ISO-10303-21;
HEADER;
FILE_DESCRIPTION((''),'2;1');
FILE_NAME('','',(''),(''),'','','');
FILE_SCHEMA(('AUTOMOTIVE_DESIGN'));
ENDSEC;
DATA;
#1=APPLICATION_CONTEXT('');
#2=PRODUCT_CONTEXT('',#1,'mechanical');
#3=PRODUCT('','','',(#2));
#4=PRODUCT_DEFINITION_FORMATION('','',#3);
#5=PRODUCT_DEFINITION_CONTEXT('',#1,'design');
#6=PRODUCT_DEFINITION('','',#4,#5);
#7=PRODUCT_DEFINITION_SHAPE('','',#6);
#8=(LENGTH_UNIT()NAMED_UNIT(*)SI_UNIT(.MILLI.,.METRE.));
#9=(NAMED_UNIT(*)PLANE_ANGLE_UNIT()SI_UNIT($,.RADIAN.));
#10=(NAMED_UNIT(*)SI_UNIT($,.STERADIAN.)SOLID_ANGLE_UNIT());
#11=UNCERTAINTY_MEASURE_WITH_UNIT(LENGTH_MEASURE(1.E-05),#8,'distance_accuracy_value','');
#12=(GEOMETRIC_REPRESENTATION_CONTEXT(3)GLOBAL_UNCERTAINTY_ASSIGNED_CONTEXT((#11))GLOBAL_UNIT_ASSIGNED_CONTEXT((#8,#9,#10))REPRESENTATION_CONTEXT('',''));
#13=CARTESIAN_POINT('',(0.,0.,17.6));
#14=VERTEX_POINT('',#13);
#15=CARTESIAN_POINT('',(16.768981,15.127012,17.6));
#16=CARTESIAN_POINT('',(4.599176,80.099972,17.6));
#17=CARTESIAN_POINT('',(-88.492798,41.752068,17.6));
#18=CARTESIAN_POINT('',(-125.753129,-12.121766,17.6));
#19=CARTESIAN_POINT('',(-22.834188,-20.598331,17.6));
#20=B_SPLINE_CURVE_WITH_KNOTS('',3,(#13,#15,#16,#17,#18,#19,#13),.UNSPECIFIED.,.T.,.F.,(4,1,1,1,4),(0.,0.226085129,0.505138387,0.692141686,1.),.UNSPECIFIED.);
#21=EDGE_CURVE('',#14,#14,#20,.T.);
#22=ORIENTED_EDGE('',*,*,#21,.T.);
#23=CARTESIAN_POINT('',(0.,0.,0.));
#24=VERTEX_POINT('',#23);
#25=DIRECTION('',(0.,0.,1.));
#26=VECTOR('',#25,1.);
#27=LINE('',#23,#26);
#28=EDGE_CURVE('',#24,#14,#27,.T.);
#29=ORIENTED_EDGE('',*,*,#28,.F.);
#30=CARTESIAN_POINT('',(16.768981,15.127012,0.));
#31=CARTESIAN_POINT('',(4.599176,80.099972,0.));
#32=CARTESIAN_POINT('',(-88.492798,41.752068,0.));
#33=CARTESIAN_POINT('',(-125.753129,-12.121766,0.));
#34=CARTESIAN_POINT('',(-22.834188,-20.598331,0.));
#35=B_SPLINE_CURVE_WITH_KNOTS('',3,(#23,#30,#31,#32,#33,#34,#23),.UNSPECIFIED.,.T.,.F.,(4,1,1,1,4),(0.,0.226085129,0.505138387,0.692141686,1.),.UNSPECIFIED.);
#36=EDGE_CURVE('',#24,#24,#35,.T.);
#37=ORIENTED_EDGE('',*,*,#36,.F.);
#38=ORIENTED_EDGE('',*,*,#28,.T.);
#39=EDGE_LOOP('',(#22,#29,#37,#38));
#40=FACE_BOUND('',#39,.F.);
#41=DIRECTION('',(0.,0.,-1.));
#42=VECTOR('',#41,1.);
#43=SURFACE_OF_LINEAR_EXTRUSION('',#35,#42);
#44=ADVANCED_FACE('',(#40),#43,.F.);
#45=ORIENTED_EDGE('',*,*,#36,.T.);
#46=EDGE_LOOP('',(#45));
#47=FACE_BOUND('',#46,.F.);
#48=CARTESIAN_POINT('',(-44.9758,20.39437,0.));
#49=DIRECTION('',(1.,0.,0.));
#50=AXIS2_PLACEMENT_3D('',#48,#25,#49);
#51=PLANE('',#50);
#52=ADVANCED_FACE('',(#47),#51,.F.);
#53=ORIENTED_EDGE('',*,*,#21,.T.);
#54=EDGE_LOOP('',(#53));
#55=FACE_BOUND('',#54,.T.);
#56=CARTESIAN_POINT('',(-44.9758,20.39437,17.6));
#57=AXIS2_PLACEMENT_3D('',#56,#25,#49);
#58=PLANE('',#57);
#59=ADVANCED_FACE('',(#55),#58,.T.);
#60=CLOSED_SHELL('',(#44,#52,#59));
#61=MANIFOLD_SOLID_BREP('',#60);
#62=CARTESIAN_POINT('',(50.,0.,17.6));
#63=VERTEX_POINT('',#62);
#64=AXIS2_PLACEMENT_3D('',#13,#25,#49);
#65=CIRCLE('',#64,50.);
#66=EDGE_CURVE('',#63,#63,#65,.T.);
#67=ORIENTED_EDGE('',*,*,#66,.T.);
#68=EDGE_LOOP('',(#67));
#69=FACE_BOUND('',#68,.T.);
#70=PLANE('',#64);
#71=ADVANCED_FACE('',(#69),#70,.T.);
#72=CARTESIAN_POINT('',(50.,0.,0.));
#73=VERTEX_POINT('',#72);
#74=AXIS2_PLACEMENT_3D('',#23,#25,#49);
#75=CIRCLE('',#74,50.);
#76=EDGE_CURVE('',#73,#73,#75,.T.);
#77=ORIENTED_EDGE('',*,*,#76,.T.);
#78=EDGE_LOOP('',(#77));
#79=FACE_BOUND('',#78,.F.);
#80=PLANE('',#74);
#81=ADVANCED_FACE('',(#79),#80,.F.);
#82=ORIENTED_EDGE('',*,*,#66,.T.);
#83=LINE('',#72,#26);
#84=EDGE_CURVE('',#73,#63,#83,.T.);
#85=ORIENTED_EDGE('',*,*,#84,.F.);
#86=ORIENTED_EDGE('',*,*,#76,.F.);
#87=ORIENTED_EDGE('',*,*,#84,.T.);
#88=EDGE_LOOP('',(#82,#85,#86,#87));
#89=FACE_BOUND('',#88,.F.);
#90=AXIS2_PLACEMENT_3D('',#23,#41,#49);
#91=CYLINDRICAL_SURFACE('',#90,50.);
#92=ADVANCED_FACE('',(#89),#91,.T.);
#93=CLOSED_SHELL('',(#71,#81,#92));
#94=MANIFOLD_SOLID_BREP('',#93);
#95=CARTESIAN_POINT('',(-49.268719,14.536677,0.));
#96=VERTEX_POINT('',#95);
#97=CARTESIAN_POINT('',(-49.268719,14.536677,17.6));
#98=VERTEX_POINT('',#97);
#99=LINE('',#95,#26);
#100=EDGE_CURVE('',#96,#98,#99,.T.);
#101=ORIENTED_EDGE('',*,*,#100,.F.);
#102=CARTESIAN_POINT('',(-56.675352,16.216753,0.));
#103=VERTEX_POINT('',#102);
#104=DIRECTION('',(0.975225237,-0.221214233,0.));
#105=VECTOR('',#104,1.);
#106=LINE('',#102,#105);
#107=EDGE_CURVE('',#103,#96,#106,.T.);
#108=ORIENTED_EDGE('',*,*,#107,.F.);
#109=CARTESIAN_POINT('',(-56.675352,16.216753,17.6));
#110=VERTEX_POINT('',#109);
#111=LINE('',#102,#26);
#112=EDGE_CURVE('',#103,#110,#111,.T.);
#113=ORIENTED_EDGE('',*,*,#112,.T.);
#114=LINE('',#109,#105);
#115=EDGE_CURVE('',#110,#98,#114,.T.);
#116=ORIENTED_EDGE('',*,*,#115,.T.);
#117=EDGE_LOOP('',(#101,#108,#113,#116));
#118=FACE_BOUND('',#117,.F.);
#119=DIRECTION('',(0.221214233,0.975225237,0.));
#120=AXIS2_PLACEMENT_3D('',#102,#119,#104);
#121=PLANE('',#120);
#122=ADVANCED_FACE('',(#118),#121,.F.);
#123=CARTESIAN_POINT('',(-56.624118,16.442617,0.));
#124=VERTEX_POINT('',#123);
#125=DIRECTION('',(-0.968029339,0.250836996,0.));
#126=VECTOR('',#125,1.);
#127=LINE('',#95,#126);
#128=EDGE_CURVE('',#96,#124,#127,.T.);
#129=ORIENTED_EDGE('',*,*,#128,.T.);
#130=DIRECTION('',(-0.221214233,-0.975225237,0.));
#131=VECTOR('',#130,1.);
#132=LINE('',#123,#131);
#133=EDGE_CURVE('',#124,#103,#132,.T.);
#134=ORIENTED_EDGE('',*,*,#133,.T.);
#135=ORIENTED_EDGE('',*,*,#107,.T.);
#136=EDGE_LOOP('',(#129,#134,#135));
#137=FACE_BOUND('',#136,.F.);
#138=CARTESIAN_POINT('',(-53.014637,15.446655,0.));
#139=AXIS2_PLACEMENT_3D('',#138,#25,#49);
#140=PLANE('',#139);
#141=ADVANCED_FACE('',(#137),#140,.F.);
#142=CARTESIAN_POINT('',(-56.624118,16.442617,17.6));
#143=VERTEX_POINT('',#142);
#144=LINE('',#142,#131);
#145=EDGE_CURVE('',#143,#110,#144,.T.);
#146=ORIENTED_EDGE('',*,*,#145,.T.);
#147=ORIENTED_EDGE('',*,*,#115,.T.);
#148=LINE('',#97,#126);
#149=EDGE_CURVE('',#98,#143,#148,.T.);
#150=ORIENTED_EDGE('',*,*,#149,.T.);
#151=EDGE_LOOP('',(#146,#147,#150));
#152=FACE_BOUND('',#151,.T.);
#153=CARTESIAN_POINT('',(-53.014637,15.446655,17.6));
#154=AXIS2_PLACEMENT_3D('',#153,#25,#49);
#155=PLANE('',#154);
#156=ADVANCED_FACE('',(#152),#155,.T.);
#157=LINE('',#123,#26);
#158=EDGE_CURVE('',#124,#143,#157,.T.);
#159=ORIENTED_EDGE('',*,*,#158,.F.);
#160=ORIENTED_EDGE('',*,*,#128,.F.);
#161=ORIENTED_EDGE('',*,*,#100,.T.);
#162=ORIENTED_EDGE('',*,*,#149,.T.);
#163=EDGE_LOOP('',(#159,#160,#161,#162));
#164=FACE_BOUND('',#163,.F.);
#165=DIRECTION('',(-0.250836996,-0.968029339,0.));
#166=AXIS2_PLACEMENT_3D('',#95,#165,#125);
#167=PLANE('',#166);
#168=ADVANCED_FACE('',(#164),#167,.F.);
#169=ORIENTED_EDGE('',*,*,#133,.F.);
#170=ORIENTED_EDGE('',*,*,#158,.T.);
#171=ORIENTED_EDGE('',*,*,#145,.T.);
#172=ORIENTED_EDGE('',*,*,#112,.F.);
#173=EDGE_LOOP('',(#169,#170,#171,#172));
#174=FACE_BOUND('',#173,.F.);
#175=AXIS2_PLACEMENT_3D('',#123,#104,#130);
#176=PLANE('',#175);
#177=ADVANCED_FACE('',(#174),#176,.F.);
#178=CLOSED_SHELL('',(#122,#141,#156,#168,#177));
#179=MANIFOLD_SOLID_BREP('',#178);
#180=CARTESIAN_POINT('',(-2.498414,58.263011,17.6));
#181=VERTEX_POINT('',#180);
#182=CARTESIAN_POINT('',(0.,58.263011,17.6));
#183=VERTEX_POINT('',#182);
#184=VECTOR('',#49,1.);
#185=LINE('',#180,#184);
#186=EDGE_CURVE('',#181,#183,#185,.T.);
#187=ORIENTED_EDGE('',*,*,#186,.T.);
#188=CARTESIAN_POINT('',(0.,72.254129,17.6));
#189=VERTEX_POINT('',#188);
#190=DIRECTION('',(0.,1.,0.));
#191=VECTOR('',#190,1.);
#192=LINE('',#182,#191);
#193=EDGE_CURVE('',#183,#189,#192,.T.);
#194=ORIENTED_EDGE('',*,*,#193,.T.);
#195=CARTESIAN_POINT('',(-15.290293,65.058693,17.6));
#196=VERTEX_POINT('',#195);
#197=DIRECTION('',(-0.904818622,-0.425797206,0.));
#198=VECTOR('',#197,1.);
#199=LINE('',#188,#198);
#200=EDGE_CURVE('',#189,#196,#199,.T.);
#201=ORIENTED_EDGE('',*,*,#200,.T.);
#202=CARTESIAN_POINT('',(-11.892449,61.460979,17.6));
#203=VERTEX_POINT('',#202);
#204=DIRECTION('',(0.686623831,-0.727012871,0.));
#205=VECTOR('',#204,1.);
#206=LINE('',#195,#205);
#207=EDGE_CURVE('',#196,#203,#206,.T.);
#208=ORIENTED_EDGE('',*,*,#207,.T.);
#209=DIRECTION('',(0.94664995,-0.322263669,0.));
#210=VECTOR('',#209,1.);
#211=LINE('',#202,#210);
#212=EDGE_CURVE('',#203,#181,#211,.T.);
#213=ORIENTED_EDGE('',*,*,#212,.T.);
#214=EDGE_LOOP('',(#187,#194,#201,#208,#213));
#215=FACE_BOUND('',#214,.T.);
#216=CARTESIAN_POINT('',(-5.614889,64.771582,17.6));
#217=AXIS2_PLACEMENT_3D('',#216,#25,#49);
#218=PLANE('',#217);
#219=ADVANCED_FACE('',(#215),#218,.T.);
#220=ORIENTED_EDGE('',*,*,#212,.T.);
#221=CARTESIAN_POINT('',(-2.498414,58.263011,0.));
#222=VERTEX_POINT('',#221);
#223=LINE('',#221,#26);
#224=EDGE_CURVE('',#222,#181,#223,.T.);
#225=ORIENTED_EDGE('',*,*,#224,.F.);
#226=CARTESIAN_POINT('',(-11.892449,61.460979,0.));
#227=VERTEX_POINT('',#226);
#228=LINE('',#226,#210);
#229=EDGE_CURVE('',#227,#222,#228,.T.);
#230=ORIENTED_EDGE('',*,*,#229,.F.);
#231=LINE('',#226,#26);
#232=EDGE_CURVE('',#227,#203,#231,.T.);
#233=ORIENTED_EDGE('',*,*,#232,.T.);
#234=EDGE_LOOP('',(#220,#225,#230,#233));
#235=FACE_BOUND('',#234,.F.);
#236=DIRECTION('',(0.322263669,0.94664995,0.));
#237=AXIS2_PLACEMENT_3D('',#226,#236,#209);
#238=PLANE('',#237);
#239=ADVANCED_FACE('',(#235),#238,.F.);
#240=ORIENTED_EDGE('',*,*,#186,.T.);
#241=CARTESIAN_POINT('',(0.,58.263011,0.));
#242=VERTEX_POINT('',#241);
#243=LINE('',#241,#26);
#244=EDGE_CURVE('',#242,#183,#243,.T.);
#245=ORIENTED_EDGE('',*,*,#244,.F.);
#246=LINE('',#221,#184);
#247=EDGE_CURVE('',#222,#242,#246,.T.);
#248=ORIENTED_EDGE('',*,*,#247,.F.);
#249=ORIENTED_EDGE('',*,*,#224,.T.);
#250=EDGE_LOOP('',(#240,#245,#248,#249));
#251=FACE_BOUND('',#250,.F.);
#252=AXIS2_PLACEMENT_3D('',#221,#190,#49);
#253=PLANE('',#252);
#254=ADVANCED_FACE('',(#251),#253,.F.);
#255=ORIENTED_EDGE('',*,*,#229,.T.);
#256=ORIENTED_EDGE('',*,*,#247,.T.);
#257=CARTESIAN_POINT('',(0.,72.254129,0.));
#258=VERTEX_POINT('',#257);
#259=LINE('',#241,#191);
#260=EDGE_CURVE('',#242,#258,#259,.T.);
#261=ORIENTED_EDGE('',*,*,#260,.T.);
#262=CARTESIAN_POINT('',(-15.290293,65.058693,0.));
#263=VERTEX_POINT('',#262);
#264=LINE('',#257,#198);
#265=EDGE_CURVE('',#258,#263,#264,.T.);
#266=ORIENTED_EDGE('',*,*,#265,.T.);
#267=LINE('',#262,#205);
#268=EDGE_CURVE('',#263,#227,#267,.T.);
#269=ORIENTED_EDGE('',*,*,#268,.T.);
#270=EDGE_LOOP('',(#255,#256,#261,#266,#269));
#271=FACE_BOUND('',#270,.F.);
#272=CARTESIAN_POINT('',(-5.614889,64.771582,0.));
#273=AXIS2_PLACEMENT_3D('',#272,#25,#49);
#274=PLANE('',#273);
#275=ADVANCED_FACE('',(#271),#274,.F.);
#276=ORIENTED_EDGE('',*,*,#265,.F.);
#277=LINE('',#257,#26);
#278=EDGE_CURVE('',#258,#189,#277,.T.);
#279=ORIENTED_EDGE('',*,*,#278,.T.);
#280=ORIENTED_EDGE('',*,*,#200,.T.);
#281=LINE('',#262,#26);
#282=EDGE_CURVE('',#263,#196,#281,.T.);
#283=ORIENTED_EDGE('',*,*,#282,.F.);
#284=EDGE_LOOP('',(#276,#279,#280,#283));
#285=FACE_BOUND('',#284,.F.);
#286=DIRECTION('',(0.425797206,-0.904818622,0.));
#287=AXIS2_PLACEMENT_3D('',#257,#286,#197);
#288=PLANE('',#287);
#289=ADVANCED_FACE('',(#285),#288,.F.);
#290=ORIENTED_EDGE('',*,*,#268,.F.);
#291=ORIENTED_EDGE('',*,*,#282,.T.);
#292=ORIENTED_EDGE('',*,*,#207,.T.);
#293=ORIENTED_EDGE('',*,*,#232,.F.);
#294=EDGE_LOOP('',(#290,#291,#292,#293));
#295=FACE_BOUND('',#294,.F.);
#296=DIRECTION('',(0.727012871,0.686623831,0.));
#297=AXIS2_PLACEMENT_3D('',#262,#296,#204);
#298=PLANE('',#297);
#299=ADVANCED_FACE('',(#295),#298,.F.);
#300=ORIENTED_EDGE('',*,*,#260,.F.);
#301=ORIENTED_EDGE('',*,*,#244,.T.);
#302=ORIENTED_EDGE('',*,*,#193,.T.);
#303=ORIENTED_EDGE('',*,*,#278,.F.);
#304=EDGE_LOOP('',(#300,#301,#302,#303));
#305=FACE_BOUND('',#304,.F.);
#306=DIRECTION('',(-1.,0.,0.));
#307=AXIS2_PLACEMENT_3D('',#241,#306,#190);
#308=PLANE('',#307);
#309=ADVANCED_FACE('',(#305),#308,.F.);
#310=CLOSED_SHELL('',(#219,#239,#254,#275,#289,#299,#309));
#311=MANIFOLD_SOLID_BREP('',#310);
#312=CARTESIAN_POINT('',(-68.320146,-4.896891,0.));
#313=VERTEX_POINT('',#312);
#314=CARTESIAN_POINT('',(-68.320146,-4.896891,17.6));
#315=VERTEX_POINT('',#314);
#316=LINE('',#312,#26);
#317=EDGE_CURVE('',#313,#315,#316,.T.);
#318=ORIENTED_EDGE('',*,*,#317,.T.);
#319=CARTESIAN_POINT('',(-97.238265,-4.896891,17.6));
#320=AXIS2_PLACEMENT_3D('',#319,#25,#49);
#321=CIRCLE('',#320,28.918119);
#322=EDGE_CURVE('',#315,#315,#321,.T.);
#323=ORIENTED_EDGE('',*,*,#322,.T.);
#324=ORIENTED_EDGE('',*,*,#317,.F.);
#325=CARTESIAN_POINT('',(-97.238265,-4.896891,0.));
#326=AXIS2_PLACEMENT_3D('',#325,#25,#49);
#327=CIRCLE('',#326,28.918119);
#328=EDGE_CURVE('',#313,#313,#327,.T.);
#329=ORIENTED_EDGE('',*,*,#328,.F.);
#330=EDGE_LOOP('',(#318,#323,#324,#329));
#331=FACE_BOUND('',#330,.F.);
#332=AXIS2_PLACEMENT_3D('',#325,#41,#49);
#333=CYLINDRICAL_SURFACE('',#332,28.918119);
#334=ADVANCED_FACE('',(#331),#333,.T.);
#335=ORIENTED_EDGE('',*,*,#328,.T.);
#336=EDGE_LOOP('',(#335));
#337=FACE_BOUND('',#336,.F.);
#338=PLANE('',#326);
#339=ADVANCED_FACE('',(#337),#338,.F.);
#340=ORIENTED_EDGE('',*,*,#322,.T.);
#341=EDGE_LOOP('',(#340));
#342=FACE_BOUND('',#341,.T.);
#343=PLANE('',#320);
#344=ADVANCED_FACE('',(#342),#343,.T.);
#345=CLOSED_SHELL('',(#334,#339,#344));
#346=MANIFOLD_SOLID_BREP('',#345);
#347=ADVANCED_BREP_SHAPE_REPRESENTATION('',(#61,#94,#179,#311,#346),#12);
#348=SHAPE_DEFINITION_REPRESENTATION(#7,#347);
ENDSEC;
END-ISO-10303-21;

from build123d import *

# Parameters (mm, degrees)
F0_R     = 50
F3_DEPTH = 17.6
F2_R     = 28.9181189174


with BuildPart() as f3:
    # F0 (on Top) → F3 (new body)
    with BuildSketch(Plane.XY):
        Circle(F0_R)
    extrude(amount=F3_DEPTH)


with BuildPart() as f3b:
    # F1 (on Top) → F3, piece 2 (new body)
    with BuildSketch(Plane.XY):
        with BuildLine():
            add(Edge.make_bspline(
                [(0, 0), (16.7689814977, 15.1270119721), (4.5991760551, 80.0999724844), (-88.4927978988, 41.7520683862), (-125.7531292699, -12.1217655885), (-22.8341881309, -20.5983313464), (0, 0)],
                knots=[0, 0, 0, 0, 0.2260851292, 0.5051383866, 0.6921416859, 1, 1, 1, 1], degree=3))
        make_face()
    extrude(amount=F3_DEPTH)


with BuildPart() as f3c:
    # F2 (on Top) → F3, piece 3 (new body)
    with BuildSketch(Plane.XY):
        with Locations((-97.2382649779, -4.8968908377)):
            Circle(F2_R)
    extrude(amount=F3_DEPTH)


with BuildPart() as f3d:
    # F2 (on Top) → F3, piece 4 (new body)
    with BuildSketch(Plane.XY):
        Polygon((-2.4984139018, 58.2630112767), (0, 58.2630112767), (0, 72.2541287541), (-15.2902929112, 65.0586932898), (-11.8924491107, 61.4609792829), align=None)
    extrude(amount=F3_DEPTH)


with BuildPart() as f3e:
    # F2 (on Top) → F3, piece 5 (new body)
    with BuildSketch(Plane.XY):
        Polygon((-49.2687188089, 14.5366768431), (-56.6241184513, 16.442617369), (-56.6753521562, 16.2167530507), align=None)
    extrude(amount=F3_DEPTH)


solid = Compound([f3.part, f3b.part, f3c.part, f3d.part, f3e.part])
